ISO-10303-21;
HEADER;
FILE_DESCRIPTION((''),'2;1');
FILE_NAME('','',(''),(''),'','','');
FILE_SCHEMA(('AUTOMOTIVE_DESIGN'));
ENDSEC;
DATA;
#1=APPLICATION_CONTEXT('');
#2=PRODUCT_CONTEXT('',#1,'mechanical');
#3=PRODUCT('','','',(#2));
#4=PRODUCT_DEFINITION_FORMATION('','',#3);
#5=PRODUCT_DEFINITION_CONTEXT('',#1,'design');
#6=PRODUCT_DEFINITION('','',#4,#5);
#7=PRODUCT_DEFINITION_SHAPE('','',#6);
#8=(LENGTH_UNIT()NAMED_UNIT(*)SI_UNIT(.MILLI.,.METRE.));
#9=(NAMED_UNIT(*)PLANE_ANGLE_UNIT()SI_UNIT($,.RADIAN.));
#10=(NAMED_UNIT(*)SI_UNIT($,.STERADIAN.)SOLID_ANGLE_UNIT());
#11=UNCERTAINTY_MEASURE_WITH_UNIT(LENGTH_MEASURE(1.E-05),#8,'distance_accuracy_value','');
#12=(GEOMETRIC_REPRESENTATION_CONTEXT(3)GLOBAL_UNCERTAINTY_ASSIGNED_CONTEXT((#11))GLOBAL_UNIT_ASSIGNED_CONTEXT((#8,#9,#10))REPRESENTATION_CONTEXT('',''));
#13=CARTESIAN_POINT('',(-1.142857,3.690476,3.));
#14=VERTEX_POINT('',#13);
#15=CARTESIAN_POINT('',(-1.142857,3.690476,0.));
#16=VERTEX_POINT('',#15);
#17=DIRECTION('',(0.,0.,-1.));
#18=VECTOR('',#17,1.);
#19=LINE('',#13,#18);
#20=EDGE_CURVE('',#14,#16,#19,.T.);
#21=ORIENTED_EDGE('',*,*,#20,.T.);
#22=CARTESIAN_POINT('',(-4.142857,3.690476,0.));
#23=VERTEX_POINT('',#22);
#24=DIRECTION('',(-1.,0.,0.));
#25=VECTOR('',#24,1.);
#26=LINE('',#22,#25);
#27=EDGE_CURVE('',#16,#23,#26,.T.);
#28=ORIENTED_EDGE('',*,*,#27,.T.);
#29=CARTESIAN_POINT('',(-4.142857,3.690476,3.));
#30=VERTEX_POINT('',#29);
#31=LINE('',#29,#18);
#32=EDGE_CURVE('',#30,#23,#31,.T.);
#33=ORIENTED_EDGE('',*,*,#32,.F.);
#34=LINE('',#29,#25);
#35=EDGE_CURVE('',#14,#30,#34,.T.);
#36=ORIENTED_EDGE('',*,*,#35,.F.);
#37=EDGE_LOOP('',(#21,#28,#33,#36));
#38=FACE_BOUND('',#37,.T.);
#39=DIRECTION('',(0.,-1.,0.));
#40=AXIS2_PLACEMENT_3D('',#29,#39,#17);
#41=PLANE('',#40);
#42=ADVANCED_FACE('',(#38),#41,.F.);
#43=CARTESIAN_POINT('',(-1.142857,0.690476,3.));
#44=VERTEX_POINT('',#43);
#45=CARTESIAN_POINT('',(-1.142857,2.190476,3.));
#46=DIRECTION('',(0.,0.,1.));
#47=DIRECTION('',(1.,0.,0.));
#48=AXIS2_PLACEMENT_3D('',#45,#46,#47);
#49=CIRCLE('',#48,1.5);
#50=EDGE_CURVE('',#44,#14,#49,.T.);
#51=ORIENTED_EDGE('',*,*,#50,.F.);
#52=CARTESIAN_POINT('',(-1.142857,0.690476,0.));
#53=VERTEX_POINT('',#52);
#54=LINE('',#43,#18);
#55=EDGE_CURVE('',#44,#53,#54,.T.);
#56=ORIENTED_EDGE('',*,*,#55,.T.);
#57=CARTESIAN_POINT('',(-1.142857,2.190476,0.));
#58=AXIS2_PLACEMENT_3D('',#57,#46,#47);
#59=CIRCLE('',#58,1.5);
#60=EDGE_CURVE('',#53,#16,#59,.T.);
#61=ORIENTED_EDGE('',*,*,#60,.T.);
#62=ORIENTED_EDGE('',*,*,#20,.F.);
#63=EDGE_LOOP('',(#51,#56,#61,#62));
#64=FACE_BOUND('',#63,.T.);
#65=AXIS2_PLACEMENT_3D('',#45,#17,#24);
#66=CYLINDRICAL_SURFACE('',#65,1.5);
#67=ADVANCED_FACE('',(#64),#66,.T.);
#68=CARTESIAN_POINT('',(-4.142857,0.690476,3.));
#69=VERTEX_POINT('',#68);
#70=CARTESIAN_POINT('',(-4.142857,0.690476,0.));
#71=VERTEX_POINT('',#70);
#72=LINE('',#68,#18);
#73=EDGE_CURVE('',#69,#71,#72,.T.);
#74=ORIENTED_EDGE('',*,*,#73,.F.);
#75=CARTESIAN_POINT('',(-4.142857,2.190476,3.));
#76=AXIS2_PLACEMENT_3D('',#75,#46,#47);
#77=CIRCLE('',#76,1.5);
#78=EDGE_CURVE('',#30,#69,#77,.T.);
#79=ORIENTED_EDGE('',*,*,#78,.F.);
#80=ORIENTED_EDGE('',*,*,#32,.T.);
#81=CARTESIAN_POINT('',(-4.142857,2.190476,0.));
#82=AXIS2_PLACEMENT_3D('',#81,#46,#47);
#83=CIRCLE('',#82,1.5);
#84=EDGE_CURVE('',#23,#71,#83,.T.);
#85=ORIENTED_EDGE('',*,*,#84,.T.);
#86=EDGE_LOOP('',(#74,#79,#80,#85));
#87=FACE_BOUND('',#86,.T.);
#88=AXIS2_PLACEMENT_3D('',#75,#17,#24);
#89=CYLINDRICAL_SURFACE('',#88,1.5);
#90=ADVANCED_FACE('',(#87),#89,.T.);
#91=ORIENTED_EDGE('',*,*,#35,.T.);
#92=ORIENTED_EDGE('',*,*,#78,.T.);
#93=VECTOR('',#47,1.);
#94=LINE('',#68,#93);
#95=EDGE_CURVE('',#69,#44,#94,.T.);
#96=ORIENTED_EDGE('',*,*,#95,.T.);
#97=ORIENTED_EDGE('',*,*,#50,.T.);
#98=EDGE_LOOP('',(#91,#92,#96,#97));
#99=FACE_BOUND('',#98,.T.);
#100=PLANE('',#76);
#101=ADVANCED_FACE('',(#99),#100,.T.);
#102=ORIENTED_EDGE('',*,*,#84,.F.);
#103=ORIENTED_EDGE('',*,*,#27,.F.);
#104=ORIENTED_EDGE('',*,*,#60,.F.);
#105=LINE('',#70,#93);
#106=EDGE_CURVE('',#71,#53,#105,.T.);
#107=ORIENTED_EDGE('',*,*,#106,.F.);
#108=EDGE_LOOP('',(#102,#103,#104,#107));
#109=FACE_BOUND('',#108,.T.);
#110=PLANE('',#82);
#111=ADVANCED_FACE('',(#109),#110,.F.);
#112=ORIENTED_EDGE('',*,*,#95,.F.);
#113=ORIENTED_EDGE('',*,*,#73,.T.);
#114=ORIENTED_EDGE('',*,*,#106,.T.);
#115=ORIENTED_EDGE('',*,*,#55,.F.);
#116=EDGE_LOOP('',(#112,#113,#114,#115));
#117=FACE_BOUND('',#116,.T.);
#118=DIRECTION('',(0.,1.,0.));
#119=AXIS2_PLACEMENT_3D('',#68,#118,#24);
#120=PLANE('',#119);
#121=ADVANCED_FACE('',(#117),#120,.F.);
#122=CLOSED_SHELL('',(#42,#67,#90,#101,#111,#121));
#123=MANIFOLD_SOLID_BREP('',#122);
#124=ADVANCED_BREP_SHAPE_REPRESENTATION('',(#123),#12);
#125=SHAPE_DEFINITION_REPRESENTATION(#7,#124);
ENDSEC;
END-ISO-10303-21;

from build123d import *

# Parameters (mm, degrees)
EXTRUDE_1_DEPTH = 3


with BuildPart() as part:
    # 草图1 → 凸台-拉伸1 (new body)
    with BuildSketch(Plane.XY):
        with BuildLine():
            Line((-4.142857143, 3.69047619), (-1.142857143, 3.69047619))
            ThreePointArc((-1.142857143, 3.69047619), (0.357142857, 2.19047619), (-1.142857143, 0.69047619))
            Line((-1.142857143, 0.69047619), (-4.142857143, 0.69047619))
            ThreePointArc((-4.142857143, 0.69047619), (-5.642857143, 2.19047619), (-4.142857143, 3.69047619))
        make_face()
    extrude(amount=EXTRUDE_1_DEPTH)


solid = part.part
